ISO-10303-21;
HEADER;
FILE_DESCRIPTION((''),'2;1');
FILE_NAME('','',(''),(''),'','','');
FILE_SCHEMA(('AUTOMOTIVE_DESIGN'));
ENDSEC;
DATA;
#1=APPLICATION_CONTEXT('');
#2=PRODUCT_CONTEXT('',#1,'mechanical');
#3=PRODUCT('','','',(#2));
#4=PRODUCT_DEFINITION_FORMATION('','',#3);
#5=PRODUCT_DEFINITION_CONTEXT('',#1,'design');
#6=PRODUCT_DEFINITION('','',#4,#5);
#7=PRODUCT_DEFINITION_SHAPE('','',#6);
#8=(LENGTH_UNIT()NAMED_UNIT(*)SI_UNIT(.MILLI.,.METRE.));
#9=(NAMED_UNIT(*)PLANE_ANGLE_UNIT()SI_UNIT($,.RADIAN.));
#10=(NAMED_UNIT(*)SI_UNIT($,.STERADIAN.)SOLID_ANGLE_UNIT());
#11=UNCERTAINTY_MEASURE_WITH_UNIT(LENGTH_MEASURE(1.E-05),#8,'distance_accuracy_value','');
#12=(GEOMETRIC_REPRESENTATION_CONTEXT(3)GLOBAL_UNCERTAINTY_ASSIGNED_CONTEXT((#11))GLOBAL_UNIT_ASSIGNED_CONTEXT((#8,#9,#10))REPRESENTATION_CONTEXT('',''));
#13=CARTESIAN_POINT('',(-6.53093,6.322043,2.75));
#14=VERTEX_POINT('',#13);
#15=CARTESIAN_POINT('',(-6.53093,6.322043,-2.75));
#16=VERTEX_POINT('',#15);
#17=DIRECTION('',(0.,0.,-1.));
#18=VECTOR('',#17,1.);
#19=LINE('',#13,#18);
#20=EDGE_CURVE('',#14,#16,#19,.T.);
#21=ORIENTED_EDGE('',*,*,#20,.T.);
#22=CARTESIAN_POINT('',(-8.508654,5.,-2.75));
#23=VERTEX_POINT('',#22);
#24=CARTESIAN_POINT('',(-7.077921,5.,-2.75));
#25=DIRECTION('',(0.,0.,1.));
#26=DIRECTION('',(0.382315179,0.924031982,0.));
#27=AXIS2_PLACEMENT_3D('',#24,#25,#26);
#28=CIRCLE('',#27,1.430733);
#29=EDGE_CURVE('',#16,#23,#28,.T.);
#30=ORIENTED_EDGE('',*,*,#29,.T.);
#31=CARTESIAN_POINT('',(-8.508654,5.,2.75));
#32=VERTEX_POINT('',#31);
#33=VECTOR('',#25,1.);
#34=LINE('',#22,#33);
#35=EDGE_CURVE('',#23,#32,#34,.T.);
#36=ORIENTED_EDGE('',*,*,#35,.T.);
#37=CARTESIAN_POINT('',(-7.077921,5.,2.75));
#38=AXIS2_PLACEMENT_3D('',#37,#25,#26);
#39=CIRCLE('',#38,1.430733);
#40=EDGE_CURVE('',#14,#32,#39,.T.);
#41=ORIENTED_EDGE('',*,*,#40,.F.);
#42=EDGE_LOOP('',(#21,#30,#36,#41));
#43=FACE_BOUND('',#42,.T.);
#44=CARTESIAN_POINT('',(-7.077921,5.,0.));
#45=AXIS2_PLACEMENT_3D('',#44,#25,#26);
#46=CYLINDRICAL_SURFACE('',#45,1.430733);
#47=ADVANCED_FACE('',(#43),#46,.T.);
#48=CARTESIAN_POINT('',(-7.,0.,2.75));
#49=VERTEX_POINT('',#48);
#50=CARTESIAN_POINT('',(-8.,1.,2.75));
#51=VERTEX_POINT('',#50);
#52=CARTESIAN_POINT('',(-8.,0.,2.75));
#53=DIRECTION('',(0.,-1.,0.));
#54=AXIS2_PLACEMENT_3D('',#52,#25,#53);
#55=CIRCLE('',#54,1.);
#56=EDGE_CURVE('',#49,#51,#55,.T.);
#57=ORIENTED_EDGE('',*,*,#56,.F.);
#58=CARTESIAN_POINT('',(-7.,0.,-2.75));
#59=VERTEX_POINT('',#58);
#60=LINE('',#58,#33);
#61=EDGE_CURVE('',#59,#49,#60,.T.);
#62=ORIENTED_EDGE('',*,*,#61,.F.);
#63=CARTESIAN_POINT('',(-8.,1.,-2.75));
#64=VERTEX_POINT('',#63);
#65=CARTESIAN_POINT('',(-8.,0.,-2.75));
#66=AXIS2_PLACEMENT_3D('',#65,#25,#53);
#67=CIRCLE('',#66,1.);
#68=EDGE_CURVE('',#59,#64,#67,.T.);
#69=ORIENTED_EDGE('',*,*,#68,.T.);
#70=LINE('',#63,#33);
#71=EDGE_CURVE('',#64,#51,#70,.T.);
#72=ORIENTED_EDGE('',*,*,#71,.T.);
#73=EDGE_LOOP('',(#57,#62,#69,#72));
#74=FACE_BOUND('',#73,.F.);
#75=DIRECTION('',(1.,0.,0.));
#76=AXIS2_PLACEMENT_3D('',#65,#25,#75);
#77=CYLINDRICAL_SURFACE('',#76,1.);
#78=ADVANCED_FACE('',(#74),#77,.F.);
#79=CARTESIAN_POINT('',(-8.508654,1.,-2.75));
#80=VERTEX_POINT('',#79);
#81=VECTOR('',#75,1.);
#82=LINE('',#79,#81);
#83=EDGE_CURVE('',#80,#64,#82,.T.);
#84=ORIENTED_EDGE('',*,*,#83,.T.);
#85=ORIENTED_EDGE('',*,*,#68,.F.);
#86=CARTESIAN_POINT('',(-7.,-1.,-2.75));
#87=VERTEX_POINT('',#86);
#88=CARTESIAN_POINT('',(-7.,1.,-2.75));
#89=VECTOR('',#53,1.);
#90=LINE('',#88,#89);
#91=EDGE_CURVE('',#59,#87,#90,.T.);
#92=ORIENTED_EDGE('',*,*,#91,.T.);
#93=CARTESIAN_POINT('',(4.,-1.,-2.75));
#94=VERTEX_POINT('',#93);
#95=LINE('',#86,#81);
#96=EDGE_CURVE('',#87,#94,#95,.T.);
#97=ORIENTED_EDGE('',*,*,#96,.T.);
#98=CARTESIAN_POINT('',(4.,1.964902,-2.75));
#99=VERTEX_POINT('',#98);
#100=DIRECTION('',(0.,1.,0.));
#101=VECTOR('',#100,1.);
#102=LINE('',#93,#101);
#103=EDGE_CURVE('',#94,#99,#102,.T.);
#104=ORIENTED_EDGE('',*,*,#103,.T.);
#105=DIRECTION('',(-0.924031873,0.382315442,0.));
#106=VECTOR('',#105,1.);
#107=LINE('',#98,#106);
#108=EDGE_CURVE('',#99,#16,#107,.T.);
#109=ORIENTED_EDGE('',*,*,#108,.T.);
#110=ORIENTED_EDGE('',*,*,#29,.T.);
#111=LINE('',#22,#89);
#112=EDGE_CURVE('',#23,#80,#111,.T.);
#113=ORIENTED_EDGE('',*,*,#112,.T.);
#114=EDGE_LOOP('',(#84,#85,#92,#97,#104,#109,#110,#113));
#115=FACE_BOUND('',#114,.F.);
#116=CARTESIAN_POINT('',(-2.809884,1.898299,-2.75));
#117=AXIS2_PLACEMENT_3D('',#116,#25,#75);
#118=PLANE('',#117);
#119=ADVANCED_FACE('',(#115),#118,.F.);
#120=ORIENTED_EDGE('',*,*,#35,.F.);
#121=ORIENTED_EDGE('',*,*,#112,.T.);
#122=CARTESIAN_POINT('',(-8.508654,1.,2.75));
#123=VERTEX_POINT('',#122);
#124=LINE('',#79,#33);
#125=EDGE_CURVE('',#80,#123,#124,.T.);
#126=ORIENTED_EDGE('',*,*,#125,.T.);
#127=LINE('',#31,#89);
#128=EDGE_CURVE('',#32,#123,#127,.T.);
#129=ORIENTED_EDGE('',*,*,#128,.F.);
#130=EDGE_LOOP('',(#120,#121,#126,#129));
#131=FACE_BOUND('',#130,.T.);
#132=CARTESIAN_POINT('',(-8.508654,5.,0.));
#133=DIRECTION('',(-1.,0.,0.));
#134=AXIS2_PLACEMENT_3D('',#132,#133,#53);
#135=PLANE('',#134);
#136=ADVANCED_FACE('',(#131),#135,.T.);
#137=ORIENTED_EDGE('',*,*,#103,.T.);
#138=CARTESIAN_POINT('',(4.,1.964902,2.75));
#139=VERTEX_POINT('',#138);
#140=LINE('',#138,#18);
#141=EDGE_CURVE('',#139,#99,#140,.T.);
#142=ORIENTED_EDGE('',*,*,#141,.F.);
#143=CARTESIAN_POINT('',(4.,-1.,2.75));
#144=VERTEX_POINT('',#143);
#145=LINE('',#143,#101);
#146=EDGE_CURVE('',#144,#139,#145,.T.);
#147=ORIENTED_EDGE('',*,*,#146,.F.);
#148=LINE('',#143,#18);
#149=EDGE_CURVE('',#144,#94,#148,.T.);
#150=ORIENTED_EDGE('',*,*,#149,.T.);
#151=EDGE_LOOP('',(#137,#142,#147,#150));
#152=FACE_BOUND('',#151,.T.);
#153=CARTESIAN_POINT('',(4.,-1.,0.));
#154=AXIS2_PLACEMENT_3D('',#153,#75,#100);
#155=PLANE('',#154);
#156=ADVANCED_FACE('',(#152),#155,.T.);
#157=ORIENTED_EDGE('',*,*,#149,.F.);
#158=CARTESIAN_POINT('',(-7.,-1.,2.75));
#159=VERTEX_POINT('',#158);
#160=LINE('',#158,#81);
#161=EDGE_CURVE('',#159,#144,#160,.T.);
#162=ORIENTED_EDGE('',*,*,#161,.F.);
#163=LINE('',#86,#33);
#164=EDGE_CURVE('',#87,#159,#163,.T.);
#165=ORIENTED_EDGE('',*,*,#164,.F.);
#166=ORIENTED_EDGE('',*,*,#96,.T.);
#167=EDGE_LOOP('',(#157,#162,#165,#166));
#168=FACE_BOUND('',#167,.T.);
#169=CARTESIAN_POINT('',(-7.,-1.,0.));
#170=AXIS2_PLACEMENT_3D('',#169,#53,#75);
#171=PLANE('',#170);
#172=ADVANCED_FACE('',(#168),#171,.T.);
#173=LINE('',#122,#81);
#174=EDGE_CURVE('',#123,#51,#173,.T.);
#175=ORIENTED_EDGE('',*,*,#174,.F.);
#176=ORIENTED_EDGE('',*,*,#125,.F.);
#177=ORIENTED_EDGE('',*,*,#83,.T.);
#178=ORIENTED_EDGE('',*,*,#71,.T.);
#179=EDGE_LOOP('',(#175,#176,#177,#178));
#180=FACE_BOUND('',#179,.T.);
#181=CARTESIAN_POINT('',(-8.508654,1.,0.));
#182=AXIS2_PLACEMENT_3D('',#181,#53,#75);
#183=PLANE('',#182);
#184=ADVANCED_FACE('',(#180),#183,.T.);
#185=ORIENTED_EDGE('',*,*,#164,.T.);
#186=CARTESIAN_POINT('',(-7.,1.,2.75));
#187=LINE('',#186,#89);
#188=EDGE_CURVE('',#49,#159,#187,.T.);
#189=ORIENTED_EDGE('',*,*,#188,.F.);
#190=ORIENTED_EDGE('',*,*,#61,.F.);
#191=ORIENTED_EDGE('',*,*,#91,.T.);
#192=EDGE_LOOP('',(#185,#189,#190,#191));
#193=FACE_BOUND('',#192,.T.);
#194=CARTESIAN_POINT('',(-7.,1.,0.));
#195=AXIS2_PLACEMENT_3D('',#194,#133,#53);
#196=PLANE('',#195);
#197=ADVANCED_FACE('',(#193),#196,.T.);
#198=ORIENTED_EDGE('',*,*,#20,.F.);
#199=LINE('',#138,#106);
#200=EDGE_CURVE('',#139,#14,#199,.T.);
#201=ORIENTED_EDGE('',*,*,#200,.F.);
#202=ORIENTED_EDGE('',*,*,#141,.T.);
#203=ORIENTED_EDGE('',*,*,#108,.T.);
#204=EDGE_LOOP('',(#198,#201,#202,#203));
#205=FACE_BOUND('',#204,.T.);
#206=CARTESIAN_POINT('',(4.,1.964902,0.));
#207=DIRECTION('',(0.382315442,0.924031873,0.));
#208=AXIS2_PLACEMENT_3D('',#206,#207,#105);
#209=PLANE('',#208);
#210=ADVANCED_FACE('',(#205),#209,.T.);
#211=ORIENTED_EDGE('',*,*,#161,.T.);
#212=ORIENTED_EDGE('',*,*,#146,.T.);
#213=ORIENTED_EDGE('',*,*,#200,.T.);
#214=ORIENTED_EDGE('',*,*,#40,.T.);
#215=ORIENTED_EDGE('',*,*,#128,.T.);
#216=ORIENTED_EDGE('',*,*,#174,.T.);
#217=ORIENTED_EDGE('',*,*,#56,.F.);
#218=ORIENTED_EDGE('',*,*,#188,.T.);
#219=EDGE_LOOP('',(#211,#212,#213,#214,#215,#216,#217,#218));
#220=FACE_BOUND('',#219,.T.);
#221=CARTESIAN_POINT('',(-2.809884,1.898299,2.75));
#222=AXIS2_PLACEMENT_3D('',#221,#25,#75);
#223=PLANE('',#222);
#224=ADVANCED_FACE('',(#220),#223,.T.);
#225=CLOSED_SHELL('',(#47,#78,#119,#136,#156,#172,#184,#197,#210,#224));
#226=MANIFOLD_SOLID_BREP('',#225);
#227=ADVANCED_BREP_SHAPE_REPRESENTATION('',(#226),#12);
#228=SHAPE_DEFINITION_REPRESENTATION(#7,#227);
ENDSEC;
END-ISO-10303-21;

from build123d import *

# Parameters (mm, degrees)
F1_DEPTH = 2.75
F2_R     = 1


with BuildPart() as f1:
    # F0 (on Top) → F1 (new body, symmetric)
    with BuildSketch(Plane.XY):
        with BuildLine():
            ThreePointArc((-6.53093, 6.322043), (-7.87303, 6.189453), (-8.508654, 5))
            Line((-8.508654, 5), (-8.508654, 1))
            Line((-8.508654, 1), (-7, 1))
            Line((-7, 1), (-7, -1))
            Line((-7, -1), (4, -1))
            Line((4, -1), (4, 1.964902))
            Line((4, 1.964902), (-6.53093, 6.322043))
        make_face()
    extrude(amount=F1_DEPTH, both=True)

    # F2
    f2_edges = [f1.edges().sort_by_distance(p)[0] for p in [
        (-7, 1, 0),
    ]]
    fillet(f2_edges, radius=F2_R)


solid = f1.part
